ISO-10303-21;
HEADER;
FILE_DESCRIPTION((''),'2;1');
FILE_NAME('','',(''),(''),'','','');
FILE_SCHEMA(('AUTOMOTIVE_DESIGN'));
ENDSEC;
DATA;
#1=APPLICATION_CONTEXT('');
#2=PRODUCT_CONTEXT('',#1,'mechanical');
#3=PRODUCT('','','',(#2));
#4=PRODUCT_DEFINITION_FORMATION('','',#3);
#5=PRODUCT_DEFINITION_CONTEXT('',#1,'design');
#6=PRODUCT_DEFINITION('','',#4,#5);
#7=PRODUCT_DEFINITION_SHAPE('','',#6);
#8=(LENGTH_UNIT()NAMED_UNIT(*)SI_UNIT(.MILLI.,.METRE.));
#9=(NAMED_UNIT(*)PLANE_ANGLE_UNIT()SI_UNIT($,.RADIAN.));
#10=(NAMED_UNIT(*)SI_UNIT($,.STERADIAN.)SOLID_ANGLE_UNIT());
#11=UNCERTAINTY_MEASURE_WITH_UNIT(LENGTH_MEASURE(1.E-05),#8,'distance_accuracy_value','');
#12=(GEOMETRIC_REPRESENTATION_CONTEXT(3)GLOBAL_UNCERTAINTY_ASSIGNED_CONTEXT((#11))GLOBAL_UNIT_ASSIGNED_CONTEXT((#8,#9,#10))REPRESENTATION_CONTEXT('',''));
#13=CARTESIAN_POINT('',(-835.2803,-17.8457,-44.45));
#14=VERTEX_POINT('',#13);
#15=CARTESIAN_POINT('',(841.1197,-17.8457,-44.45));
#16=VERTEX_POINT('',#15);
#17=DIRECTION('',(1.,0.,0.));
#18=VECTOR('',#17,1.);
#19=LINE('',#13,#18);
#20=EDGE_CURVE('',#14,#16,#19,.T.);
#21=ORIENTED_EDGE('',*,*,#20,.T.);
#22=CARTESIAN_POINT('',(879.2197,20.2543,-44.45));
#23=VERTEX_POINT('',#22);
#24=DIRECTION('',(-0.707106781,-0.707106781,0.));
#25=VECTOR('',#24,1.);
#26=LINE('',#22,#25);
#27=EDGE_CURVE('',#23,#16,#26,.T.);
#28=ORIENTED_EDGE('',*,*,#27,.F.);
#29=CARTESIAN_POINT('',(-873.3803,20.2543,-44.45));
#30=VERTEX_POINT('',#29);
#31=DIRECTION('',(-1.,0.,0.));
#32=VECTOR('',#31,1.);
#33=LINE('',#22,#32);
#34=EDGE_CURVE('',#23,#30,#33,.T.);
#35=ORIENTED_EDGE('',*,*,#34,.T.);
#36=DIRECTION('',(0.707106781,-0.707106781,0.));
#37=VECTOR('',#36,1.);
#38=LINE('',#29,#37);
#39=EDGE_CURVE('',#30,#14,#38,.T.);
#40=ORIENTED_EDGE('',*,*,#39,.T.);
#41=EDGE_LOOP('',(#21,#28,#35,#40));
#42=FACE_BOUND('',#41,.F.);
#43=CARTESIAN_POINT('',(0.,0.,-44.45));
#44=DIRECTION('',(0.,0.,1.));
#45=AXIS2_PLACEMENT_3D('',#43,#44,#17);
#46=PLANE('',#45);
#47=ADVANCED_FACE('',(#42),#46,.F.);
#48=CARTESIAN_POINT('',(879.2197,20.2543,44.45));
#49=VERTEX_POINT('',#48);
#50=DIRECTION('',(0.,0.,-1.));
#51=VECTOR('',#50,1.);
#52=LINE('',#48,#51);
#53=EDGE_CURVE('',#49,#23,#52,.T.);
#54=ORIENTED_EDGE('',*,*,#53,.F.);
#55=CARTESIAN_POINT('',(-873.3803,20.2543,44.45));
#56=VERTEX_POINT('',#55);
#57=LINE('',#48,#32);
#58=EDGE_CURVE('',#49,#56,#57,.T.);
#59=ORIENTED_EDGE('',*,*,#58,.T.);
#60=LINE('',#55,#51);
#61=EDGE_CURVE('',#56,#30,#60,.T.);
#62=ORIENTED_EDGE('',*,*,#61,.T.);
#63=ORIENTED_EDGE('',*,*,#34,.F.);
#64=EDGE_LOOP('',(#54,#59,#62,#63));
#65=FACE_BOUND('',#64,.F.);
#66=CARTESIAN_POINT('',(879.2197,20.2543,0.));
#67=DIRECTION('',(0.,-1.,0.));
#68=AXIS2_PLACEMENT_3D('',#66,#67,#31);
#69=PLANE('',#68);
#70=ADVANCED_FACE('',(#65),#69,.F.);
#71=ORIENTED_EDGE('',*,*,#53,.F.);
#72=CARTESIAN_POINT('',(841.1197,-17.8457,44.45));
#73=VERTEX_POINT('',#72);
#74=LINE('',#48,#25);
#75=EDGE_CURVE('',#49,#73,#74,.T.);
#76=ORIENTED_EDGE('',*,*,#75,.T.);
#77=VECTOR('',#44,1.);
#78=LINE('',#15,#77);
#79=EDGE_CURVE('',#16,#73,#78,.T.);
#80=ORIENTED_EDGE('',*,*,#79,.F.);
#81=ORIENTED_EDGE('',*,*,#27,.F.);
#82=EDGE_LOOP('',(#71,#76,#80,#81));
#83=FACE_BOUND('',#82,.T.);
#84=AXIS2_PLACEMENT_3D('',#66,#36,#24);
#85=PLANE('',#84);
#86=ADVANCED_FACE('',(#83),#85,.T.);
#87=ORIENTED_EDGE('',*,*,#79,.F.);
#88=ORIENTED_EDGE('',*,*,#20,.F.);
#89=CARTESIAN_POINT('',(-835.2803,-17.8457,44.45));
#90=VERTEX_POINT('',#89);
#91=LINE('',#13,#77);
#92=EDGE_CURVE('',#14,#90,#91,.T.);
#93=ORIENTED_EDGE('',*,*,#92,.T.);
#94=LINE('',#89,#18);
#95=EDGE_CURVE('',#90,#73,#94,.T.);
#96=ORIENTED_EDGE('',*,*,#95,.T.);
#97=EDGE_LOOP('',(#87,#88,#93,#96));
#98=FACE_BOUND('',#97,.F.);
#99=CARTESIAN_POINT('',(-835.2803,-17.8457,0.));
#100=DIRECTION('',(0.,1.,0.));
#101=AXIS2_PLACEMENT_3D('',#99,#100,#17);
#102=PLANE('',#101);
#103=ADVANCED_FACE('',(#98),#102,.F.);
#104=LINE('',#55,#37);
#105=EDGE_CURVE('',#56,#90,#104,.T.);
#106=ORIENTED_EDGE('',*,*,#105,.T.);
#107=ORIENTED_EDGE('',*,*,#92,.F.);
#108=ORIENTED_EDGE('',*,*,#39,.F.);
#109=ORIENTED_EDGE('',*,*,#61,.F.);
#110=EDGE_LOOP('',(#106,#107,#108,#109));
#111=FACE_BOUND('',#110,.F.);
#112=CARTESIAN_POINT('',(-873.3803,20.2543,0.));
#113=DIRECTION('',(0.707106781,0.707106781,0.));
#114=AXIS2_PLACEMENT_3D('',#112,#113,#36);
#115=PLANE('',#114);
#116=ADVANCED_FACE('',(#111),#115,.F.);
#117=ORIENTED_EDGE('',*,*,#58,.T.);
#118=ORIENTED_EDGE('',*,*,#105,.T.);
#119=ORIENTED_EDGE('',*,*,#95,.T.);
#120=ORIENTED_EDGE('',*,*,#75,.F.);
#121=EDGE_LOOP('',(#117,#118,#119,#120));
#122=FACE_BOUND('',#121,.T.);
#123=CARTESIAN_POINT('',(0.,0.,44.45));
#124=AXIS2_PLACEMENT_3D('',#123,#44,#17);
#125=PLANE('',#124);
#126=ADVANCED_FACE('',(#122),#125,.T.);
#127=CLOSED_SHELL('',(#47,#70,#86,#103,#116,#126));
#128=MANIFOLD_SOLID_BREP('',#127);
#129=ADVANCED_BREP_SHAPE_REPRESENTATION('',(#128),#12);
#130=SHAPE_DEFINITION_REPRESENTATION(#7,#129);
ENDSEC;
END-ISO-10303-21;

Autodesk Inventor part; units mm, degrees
ref_plane "YZ Plane" through (0, 0, 0) normal (1, 0, 0) x (0, 1, 0)
ref_plane "XZ Plane" through (0, 0, 0) normal (0, 1, 0) x (-1, 0, 0)
ref_plane "XY Plane" through (0, 0, 0) normal (0, 0, 1) x (1, 0, 0)
sketch "Sketch2" plane through (0, 0, 0) normal (0, 0, 1) x (1, 0, 0)
  line L0 (-835.2803, -17.8457) -> (841.1197, -17.8457)
  line L1 (879.2197, 20.2543) -> (-873.3803, 20.2543)
  line L2 (-873.5013, -20.1226) -> (879.2197, 20.2543) construction
  line L3 (879.3345, -20.3924) -> (-873.3803, 20.2543) construction
  line L4 (-873.3803, 20.2543) -> (-835.2803, -17.8457)
  line L5 (-873.3803, 20.2543) -> (-819.4988, 20.2543) construction
  line L6 (879.2197, 20.2543) -> (841.1197, -17.8457)
  line L7 (879.2197, 20.2543) -> (933.1012, 20.2543) construction
  point P0 (0, 0)
  dimension "d10" = 45
  dimension "d11" = 135
  dimension "d14" = 1752.6
  dimension "d15" = 38.1
extrude "Extrusion2" add sketch "Sketch2" along normal mid plane 88.9
properties part number "Right Panel Front 45 Diagonal Piece" material "Wood (Birch)"
